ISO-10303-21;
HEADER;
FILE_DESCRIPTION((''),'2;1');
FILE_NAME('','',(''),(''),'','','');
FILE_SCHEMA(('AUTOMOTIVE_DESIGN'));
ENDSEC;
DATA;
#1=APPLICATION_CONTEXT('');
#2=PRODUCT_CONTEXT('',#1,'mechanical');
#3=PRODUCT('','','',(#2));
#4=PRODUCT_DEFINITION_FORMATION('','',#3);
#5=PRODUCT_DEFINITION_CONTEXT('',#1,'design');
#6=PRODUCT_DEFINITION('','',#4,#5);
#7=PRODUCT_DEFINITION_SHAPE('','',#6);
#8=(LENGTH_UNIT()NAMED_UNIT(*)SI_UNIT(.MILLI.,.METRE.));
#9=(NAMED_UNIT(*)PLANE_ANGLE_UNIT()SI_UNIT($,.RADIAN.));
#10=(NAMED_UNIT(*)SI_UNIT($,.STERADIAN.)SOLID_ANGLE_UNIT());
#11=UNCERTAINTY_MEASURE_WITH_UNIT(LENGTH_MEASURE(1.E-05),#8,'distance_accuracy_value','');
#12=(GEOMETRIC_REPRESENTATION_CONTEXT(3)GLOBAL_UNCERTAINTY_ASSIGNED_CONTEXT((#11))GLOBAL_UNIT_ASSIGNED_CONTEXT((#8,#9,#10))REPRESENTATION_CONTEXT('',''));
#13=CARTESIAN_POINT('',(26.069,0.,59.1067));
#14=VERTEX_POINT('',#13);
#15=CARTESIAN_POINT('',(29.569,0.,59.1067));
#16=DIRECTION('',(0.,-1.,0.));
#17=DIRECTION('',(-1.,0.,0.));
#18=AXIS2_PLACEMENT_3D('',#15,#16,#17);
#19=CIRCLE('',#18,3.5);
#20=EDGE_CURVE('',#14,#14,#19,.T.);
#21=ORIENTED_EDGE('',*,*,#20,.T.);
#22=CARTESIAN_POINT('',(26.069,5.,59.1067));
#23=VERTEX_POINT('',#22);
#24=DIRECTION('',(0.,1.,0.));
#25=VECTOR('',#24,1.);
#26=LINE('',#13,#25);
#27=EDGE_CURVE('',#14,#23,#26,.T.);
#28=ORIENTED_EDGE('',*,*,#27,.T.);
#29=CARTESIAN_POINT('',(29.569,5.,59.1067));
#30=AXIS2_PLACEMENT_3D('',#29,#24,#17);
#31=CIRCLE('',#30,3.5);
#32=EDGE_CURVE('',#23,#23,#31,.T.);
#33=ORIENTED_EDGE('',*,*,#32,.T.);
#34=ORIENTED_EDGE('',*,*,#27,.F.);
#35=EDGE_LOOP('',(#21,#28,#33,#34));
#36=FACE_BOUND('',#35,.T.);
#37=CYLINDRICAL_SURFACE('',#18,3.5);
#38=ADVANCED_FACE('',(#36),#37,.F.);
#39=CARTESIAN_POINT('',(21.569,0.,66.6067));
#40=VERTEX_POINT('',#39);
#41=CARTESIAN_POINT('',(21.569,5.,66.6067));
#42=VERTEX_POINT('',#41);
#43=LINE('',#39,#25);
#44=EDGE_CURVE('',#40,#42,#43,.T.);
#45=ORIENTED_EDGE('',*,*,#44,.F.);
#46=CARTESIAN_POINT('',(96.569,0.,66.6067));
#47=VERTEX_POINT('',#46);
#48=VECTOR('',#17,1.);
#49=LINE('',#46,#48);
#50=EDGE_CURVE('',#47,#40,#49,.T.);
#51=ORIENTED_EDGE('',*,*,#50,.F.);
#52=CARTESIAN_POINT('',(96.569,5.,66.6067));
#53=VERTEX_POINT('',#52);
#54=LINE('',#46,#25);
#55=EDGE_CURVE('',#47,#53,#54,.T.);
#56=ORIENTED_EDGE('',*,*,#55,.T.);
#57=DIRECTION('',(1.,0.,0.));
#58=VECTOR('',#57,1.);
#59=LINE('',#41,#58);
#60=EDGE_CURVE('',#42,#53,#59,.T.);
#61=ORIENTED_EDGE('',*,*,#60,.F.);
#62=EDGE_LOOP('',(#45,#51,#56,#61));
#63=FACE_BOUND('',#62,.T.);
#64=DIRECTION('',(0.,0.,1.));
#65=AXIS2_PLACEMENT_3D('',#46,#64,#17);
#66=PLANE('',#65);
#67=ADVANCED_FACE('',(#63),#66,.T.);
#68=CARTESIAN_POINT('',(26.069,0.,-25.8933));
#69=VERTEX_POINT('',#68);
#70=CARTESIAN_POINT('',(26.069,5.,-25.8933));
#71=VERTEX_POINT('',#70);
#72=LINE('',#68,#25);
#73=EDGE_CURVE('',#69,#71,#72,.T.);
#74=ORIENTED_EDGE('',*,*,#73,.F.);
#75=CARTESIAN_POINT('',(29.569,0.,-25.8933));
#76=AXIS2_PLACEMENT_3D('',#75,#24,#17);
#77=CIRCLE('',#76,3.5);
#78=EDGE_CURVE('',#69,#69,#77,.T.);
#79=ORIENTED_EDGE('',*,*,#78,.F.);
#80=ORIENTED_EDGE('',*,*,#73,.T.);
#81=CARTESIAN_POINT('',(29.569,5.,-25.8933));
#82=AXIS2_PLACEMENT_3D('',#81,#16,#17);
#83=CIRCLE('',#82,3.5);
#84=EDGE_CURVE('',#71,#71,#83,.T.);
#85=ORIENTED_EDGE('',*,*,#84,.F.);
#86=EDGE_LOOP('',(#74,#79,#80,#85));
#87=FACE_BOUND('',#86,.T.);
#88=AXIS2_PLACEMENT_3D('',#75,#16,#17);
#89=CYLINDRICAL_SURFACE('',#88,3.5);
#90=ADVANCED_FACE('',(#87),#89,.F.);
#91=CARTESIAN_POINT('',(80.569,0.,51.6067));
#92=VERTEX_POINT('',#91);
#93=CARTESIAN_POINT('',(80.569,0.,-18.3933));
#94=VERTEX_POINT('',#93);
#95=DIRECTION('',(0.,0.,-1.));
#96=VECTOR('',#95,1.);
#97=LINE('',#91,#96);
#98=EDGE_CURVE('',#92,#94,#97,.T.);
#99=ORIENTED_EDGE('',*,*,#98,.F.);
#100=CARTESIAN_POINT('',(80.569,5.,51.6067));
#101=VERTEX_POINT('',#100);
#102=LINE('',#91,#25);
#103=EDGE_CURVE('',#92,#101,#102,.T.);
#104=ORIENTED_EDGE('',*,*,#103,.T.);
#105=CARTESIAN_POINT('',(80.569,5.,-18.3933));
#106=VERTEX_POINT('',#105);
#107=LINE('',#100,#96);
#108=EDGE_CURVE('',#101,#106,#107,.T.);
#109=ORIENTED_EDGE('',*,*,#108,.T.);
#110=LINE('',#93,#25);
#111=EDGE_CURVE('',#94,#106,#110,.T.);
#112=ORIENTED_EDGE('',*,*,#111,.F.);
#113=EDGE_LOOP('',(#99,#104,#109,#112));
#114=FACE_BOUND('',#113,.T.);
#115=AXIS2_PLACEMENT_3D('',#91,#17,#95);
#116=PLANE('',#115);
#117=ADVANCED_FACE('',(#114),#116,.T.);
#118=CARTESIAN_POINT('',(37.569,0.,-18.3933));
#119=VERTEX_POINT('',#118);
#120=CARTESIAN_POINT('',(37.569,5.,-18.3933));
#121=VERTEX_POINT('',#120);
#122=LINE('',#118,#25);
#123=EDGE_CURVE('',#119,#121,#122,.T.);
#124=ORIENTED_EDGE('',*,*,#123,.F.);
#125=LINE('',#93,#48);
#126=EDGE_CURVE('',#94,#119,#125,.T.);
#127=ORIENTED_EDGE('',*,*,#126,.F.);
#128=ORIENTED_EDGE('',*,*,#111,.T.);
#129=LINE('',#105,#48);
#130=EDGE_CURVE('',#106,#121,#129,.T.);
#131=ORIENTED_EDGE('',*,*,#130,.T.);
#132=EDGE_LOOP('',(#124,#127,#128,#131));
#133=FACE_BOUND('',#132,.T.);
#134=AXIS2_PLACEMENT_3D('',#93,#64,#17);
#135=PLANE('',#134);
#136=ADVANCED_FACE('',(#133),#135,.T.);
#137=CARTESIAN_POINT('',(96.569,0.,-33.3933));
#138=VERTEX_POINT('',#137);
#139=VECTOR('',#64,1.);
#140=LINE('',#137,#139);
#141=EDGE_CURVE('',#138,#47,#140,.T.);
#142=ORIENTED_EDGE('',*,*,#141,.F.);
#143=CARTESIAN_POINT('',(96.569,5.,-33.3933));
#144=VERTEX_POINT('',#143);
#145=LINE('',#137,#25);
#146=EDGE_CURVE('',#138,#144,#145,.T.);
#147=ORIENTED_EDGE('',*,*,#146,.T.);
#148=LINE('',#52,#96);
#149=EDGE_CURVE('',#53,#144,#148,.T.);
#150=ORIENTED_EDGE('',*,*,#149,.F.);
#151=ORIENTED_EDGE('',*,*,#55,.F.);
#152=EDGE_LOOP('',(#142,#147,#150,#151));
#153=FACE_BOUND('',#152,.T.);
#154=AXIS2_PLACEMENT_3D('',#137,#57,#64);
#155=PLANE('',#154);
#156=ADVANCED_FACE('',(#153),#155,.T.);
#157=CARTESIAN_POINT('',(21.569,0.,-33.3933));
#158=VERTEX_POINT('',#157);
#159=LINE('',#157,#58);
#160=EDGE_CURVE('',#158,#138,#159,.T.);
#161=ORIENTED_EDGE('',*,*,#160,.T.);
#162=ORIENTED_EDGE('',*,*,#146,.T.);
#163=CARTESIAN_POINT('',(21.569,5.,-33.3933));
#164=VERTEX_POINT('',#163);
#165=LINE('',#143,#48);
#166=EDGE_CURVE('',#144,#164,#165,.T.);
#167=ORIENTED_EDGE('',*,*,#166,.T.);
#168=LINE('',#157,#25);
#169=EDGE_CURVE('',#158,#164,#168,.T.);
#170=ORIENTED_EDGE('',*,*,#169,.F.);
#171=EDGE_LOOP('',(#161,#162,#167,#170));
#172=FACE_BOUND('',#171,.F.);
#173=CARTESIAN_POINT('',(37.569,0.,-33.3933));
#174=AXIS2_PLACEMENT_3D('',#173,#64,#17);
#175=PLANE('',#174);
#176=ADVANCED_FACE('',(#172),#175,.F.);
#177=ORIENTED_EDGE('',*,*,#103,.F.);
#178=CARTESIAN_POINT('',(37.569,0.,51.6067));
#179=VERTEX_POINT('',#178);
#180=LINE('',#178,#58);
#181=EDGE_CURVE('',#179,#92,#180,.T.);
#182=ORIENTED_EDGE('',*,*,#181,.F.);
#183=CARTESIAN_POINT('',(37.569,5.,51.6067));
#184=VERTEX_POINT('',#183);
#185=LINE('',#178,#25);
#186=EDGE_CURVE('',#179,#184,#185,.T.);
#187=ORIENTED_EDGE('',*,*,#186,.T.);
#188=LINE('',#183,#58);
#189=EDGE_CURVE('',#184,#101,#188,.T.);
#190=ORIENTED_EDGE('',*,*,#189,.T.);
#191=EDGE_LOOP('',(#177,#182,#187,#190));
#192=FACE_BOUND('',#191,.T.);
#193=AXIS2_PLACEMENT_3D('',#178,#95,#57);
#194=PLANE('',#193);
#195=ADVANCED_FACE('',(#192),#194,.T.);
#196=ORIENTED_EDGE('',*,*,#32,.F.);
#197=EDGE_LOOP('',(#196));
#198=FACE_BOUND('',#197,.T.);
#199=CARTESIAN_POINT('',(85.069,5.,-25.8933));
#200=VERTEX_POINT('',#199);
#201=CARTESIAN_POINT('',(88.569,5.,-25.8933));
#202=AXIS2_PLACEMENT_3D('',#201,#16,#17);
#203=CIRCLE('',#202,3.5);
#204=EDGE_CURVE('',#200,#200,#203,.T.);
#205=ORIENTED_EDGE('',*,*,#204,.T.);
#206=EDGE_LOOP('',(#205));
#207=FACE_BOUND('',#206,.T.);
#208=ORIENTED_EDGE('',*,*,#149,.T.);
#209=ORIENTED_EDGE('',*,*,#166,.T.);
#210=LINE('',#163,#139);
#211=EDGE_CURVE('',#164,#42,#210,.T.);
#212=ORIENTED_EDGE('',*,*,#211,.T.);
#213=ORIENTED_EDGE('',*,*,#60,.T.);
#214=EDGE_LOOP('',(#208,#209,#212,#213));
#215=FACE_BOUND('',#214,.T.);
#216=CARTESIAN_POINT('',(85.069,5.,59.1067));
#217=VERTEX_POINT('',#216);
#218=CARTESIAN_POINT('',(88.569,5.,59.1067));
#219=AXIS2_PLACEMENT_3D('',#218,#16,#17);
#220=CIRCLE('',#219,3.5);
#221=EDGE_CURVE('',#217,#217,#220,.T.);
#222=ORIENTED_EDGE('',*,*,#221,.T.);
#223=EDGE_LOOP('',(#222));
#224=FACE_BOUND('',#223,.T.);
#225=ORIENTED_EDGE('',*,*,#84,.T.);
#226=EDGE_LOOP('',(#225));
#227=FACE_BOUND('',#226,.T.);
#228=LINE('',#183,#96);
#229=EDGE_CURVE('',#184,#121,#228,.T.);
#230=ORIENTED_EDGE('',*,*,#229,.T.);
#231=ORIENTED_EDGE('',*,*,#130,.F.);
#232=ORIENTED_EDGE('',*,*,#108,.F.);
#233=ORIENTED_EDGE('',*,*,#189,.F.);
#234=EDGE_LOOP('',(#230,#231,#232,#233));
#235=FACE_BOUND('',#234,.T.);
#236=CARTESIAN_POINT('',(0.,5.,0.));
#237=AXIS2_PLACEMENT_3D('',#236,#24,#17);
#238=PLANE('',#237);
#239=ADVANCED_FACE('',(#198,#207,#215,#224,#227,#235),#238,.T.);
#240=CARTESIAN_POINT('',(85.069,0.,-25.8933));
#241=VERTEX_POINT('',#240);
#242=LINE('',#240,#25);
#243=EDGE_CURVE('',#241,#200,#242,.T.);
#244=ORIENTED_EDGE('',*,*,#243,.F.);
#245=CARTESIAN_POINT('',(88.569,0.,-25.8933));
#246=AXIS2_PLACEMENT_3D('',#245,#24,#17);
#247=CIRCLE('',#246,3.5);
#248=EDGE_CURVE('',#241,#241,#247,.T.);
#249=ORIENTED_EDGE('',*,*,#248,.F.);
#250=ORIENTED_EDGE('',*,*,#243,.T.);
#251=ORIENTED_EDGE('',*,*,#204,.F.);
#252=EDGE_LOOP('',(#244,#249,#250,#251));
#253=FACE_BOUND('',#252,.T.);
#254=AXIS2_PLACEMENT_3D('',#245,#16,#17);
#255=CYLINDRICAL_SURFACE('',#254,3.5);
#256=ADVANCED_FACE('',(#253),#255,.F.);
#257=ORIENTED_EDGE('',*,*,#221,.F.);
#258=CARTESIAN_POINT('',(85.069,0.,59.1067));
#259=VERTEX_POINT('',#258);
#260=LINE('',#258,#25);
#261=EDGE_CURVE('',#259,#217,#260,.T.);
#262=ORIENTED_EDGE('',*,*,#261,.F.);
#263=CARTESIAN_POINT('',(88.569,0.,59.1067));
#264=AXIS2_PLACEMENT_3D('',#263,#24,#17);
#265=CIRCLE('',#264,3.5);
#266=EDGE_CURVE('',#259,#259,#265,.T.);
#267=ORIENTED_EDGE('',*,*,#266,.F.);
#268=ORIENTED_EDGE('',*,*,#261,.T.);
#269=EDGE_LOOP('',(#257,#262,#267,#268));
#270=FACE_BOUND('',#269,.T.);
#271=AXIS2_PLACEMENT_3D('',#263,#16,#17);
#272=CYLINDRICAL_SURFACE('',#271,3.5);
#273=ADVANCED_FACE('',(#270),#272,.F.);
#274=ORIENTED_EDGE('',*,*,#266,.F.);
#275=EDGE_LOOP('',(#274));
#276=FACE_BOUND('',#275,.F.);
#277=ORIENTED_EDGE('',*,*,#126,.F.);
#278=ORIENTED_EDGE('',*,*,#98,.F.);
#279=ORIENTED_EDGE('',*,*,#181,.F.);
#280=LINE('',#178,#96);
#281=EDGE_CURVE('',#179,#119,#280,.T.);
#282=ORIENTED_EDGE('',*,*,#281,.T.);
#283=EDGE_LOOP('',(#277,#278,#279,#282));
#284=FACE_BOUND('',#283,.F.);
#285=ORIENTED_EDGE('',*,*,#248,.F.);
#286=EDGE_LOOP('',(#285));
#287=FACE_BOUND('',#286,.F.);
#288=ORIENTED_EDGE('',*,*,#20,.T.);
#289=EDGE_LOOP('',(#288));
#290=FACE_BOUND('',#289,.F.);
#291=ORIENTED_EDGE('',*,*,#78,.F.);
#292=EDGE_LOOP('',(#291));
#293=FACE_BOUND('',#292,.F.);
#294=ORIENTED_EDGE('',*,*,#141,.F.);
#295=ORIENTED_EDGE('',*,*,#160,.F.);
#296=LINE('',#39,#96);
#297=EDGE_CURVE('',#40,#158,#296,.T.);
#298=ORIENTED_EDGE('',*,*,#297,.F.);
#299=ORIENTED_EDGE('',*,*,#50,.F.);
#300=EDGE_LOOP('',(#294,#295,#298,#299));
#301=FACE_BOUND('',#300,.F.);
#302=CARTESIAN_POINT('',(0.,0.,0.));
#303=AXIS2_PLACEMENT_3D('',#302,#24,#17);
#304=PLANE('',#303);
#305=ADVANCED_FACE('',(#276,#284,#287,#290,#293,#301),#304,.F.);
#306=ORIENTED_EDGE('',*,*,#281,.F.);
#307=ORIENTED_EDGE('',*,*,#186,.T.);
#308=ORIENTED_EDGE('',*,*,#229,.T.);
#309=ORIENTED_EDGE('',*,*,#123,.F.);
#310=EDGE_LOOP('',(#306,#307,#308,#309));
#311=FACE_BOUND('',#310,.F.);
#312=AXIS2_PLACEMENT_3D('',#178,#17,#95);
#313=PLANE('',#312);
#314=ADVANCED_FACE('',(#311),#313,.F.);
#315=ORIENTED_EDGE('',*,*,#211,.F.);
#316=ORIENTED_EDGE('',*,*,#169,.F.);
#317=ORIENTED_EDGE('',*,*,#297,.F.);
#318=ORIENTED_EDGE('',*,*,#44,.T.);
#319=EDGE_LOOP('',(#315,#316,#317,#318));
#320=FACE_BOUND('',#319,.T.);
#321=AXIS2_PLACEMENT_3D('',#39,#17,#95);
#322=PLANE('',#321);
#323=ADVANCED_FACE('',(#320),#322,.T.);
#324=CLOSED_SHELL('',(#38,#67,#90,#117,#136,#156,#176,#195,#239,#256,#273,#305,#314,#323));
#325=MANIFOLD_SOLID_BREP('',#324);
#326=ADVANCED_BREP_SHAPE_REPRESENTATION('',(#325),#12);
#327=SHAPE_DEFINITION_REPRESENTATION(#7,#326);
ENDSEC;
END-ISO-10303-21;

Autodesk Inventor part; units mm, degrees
ref_plane "YZ Plane" through (0, 0, 0) normal (1, 0, 0) x (0, 1, 0)
ref_plane "XZ Plane" through (0, 0, 0) normal (0, 1, 0) x (-1, 0, 0)
ref_plane "XY Plane" through (0, 0, 0) normal (0, 0, 1) x (1, 0, 0)
sketch "Boceto1" plane through (0, 0, 0) normal (0, 1, 0) x (-1, 0, 0)
  circle A0 centre (-88.569, 59.1067) radius 3.5
  circle A1 centre (-29.569, 59.1067) radius 3.5
  line L0 (-88.569, 59.1067) -> (-29.569, 59.1067)
  circle A2 centre (-29.569, -25.8933) radius 3.5
  line L1 (-29.569, 59.1067) -> (-29.569, -25.8933)
  circle A3 centre (-88.569, -25.8933) radius 3.5
  line L2 (-29.569, -25.8933) -> (-88.569, -25.8933)
  line L3 (-88.569, -25.8933) -> (-88.569, 59.1067)
  line L4 (-96.569, 66.6067) -> (-21.569, 66.6067)
  line L5 (-21.569, 66.6067) -> (-21.569, 51.6067)
  line L6 (-96.569, 51.6067) -> (-96.569, 66.6067)
  line L7 (-96.569, 66.6067) -> (-21.569, 51.6067) construction
  line L8 (-21.569, 66.6067) -> (-96.569, 51.6067) construction
  line L9 (-37.569, -33.3933) -> (-21.569, -33.3933)
  line L10 (-21.569, -33.3933) -> (-21.569, 66.6067)
  line L11 (-21.569, 66.6067) -> (-37.569, 66.6067)
  line L12 (-37.569, -33.3933) -> (-21.569, 66.6067) construction
  line L13 (-21.569, -33.3933) -> (-37.569, 66.6067) construction
  line L14 (-21.569, -18.3933) -> (-21.569, -33.3933)
  line L15 (-21.569, -33.3933) -> (-96.569, -33.3933)
  line L16 (-96.569, -33.3933) -> (-96.569, -18.3933)
  line L17 (-96.569, -18.3933) -> (-21.569, -33.3933) construction
  line L18 (-21.569, -18.3933) -> (-96.569, -33.3933) construction
  line L19 (-80.569, -33.3933) -> (-96.569, -33.3933)
  line L20 (-96.569, -33.3933) -> (-96.569, 66.6067)
  line L21 (-96.569, 66.6067) -> (-80.569, 66.6067)
  line L22 (-80.569, -33.3933) -> (-96.569, 66.6067) construction
  line L23 (-96.569, -33.3933) -> (-80.569, 66.6067) construction
  line L24 (-80.569, -18.3933) -> (-37.569, -18.3933)
  line L25 (-80.569, 51.6067) -> (-80.569, -18.3933)
  line L26 (-37.569, 51.6067) -> (-37.569, -18.3933)
  circle A4 centre (-88.569, 59.1067) radius 3.5
  circle A5 centre (-29.569, 59.1067) radius 3.5
  circle A6 centre (-29.569, -25.8933) radius 3.5
  circle A7 centre (-88.569, -25.8933) radius 3.5
  line L27 (-37.569, 51.6067) -> (-80.569, 51.6067)
  point P0 (0, 0)
  point P1 (-59.069, 59.1067)
  point P2 (-29.569, 16.6067)
  point P3 (-59.069, -25.8933)
  point P4 (-88.569, 16.6067)
  dimension "d0" = 75
  dimension "d1" = 15
extrude "Extrusión1" add sketch "Boceto1" along normal blind 5 contours L0 A1 L1 A2 L2 A3 L3 A0 | L4 L5 L10 L9 L15 L16 L20 L6
properties part number "jetson_union"
